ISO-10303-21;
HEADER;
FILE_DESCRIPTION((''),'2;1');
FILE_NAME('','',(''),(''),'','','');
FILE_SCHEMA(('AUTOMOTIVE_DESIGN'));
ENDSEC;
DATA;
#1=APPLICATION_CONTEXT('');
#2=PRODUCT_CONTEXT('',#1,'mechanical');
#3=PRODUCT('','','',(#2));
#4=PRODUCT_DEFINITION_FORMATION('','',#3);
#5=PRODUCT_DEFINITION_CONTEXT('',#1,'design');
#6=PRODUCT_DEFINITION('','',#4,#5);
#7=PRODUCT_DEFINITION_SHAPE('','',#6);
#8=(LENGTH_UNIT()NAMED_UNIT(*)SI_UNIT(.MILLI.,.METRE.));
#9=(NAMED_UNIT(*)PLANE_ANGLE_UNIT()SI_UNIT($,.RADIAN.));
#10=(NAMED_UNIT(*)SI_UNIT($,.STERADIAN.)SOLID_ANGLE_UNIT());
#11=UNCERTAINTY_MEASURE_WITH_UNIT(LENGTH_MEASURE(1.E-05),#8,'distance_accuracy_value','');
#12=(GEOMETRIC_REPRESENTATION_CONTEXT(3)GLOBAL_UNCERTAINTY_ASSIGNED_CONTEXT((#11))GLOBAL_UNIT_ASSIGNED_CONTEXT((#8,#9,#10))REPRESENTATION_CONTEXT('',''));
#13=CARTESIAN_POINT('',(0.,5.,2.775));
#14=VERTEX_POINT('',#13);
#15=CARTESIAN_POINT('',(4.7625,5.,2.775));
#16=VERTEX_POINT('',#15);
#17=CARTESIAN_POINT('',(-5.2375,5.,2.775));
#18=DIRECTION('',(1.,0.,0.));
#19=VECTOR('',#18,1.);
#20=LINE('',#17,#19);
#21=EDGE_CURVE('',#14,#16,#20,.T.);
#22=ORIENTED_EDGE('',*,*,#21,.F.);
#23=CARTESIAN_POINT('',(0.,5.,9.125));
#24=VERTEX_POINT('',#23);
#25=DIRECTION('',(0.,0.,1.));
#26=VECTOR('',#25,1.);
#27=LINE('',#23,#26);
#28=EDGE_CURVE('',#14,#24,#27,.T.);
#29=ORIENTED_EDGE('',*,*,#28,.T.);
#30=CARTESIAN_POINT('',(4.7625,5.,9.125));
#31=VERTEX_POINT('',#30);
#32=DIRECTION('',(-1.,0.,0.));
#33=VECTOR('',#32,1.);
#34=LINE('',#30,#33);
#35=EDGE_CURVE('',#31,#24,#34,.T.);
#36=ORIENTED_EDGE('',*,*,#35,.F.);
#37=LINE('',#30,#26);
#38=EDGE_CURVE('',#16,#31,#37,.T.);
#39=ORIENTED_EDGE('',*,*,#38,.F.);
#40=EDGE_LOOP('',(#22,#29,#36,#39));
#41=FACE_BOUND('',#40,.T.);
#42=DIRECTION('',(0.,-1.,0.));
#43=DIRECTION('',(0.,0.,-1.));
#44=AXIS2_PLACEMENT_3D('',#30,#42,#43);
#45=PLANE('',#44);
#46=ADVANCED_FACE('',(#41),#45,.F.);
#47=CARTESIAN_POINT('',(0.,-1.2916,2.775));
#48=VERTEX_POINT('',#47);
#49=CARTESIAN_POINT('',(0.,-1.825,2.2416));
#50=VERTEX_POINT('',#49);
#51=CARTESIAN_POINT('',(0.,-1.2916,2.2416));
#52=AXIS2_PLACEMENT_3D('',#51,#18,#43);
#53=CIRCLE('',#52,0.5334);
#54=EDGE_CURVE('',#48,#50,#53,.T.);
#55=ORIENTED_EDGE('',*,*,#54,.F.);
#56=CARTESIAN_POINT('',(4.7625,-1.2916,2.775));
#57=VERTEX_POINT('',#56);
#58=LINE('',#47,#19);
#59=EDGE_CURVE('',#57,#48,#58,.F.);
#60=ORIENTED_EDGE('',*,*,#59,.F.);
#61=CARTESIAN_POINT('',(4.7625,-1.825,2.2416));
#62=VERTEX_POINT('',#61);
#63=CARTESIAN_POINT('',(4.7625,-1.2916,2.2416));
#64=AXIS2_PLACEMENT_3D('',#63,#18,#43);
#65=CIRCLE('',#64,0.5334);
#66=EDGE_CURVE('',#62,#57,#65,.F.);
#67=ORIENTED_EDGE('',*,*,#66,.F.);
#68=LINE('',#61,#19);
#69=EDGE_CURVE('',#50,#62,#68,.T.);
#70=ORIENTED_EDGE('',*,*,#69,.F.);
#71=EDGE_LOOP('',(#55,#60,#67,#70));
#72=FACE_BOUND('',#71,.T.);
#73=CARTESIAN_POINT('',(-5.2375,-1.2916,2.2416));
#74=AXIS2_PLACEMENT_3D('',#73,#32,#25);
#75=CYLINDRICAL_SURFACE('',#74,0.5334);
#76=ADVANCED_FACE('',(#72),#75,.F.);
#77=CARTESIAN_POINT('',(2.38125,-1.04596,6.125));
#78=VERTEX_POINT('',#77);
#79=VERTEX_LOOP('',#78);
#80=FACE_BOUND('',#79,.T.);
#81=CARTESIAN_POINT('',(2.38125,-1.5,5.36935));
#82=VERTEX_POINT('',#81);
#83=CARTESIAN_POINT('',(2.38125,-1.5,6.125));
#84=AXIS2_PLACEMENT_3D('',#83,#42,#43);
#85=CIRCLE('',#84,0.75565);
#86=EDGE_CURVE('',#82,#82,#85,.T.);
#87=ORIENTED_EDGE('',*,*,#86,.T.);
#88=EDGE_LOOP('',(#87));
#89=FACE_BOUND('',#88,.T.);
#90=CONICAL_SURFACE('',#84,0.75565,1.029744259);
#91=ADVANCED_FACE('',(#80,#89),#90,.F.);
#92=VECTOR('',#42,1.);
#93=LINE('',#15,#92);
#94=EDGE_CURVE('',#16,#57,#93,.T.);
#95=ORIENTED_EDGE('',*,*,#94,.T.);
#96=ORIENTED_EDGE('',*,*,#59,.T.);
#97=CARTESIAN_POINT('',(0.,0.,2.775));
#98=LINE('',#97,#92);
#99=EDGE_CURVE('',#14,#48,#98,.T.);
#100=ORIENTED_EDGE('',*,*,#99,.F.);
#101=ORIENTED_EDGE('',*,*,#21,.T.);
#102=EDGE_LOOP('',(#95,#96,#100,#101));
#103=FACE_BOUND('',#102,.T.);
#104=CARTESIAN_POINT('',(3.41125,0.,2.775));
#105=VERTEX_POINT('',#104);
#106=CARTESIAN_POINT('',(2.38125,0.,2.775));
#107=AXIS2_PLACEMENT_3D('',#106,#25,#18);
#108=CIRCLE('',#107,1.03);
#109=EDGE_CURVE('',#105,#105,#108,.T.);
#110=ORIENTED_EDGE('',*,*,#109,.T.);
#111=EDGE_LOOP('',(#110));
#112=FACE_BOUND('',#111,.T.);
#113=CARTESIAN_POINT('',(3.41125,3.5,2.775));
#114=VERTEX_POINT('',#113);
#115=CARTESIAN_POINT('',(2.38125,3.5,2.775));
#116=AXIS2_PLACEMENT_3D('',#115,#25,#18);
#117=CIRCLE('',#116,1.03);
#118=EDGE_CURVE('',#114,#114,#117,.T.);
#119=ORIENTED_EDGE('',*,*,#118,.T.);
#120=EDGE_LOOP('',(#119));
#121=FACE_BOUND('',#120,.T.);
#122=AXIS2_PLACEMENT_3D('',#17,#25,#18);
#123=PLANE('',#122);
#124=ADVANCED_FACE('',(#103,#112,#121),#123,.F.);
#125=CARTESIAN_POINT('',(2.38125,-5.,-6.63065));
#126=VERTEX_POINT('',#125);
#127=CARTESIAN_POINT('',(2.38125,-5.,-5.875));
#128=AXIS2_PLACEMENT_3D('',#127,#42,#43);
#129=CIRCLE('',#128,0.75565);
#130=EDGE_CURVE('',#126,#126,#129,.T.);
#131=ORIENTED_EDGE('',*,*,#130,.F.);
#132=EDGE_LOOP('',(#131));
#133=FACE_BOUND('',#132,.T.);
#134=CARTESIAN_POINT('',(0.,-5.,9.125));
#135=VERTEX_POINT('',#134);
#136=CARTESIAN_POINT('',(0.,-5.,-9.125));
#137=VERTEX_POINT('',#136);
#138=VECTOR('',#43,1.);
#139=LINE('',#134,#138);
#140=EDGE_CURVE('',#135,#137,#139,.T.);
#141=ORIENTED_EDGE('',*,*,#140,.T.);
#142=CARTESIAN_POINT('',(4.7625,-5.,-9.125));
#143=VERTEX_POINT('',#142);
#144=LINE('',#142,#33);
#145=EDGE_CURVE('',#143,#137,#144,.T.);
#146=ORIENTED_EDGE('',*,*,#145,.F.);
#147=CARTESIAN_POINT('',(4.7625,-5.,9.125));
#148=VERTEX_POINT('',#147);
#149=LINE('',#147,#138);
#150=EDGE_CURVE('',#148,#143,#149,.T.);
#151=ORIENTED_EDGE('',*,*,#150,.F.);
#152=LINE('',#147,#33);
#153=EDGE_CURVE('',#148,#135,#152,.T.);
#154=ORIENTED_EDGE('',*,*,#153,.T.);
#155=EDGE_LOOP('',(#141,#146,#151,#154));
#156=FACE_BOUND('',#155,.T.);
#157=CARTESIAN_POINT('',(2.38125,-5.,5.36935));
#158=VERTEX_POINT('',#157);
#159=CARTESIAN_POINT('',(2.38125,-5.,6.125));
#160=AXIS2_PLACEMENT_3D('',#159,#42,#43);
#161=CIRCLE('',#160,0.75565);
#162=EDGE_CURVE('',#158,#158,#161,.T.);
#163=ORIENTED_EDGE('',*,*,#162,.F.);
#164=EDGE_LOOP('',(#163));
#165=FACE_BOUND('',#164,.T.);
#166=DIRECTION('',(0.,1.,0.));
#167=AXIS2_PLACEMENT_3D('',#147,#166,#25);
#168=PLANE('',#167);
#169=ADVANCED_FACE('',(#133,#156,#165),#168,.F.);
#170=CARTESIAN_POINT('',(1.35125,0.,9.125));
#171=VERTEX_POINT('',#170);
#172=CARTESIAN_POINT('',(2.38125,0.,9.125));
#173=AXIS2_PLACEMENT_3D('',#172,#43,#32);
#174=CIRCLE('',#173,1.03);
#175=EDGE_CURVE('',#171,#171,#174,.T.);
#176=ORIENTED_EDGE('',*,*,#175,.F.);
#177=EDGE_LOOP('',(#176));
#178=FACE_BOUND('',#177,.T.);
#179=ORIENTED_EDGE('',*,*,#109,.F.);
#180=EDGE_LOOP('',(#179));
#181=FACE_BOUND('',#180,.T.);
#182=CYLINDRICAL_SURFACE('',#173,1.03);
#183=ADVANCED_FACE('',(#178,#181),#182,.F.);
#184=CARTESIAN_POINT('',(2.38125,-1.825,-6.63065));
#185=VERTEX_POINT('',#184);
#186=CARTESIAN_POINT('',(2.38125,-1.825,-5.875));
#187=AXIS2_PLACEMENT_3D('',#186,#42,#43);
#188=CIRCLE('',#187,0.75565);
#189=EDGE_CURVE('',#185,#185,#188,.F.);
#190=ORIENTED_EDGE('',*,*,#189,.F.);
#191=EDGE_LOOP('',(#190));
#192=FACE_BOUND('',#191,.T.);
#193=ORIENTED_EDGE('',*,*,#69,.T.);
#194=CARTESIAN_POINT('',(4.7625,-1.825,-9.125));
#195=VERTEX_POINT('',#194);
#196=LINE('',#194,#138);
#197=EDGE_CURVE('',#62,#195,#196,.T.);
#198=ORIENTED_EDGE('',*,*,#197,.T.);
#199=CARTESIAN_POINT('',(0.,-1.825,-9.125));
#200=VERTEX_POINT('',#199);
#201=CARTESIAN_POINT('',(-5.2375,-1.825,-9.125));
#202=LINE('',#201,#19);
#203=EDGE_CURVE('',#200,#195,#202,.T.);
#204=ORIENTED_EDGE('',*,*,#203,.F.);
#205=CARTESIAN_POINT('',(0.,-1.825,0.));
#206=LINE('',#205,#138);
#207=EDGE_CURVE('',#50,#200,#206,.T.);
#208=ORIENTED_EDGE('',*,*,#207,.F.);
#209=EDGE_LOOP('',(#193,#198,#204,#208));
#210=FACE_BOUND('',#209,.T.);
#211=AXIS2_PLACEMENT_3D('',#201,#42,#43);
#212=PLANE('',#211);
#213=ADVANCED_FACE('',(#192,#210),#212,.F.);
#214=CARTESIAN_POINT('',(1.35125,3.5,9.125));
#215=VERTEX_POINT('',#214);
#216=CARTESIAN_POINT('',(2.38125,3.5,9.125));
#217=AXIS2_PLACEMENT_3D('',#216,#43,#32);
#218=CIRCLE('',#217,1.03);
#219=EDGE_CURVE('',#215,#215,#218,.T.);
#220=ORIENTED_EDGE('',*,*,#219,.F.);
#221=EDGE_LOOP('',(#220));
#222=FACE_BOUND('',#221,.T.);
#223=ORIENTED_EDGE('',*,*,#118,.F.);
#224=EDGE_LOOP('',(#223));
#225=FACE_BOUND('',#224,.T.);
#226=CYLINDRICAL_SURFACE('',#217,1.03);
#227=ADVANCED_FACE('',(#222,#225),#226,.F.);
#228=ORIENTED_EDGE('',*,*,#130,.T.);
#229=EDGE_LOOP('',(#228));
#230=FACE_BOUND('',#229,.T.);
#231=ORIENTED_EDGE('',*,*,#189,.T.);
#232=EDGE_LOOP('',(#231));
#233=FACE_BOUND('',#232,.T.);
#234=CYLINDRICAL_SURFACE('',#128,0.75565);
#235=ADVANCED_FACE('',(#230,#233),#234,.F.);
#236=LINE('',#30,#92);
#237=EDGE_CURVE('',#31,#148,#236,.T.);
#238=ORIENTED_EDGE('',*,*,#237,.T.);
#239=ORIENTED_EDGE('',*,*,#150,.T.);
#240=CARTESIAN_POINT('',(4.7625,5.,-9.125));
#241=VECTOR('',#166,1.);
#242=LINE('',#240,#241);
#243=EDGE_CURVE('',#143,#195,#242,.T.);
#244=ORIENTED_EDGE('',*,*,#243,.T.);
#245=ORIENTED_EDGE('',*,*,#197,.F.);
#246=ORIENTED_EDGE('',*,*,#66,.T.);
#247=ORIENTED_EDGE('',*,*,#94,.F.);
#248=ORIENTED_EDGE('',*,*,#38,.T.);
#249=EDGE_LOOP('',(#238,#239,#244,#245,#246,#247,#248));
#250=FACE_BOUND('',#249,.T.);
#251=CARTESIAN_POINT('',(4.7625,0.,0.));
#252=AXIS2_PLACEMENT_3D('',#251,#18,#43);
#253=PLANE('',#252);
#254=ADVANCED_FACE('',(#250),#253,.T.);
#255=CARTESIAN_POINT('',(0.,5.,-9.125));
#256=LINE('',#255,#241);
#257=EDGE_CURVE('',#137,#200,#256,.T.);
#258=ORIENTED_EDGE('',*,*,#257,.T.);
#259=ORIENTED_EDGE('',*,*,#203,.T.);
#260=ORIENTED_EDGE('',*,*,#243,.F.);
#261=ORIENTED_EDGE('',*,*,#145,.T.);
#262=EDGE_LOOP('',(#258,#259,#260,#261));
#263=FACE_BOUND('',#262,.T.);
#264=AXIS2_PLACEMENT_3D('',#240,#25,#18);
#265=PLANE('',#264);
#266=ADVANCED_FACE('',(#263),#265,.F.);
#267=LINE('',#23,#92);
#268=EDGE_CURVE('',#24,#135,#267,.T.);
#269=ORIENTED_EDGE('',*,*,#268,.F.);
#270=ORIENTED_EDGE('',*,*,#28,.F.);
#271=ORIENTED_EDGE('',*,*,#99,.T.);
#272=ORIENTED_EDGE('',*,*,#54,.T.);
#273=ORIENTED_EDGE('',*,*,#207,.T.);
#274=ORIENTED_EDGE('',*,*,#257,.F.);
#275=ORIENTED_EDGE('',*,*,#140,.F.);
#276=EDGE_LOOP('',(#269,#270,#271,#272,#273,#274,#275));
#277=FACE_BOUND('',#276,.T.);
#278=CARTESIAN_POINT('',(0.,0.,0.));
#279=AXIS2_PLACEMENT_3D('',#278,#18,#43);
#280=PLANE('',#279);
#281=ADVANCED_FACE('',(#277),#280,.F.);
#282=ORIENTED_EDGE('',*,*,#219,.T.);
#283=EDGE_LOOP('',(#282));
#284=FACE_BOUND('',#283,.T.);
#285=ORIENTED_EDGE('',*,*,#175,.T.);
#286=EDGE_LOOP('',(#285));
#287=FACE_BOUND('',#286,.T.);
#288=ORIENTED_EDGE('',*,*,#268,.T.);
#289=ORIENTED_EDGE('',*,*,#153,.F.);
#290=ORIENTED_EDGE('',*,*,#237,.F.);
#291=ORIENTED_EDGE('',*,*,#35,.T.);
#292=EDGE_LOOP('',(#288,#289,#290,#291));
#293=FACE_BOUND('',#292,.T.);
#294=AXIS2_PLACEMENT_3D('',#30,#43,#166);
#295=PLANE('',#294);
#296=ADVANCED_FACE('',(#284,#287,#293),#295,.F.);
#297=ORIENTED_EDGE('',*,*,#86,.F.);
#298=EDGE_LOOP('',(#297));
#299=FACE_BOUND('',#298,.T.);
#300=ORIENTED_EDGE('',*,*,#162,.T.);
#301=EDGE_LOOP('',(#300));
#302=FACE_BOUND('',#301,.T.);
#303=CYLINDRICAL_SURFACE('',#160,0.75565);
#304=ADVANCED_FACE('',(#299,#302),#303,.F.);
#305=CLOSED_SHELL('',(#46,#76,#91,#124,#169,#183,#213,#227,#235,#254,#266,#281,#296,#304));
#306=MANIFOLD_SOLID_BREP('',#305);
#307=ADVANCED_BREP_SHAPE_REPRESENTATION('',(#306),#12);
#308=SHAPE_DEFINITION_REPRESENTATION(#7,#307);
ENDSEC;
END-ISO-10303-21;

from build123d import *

# Parameters (mm, degrees)
SKETCH1_W                 = 18.25
SKETCH1_H                 = 10
BOSS_EXTRUDE1_DEPTH       = 4.7625
F_1_64_TAPPED_HOLE1_D     = 1.5113
F_1_64_TAPPED_HOLE1_DEPTH = 3.5
F_1_64_TAPPED_HOLE1_TIP   = 0.454040327
SKETCH5_W                 = 11.9
SKETCH5_H                 = 6.825
CUT_EXTRUDE2_DEPTH        = 10
FILLET1_R                 = 0.5334
SKETCH2_R                 = 1.03
CUT_EXTRUDE1_DEPTH        = 20.512660153


with BuildPart() as part:
    # Sketch1 → Boss-Extrude1 (new body)
    with BuildSketch(Plane(origin=(0, 0, 0), x_dir=(0, 0, -1), z_dir=(1, 0, 0))):
        Rectangle(SKETCH1_W, SKETCH1_H)
    extrude(amount=BOSS_EXTRUDE1_DEPTH)

    # #1-64 Tapped Hole1
    with Locations(Plane(origin=(0, -5, 0), x_dir=(-1, 0, 0), z_dir=(0, -1, 0))):
        with Locations((-2.38125, -6.125), (-2.38125, 5.875)):
            Hole(F_1_64_TAPPED_HOLE1_D / 2, depth=F_1_64_TAPPED_HOLE1_DEPTH)
            with Locations((0, 0, -(F_1_64_TAPPED_HOLE1_DEPTH + F_1_64_TAPPED_HOLE1_TIP / 2))):  # 118° drill point
                Cone(0, F_1_64_TAPPED_HOLE1_D / 2, F_1_64_TAPPED_HOLE1_TIP, mode=Mode.SUBTRACT)

    # Sketch5 → Cut-Extrude2 (cut)
    with BuildSketch(Plane(origin=(4.7625, 0, 0), x_dir=(0, 0, -1), z_dir=(1, 0, 0))):
        with Locations((3.175, 1.5875)):
            Rectangle(SKETCH5_W, SKETCH5_H)
    extrude(amount=-CUT_EXTRUDE2_DEPTH, mode=Mode.SUBTRACT)

    # Fillet1
    fillet1_edges = [part.edges().sort_by_distance(p)[0] for p in [
        (2.38125, -1.825, 2.775),
    ]]
    fillet(fillet1_edges, radius=FILLET1_R)

    # Sketch2 → Cut-Extrude1 (cut, through all)
    with BuildSketch(Plane(origin=(0, 0, -9.125), x_dir=(-1, 0, 0), z_dir=(0, 0, -1))):
        with Locations((-2.38125, 3.5)):
            Circle(SKETCH2_R)
        with Locations((-2.38125, 0)):
            Circle(SKETCH2_R)
    extrude(amount=-CUT_EXTRUDE1_DEPTH, mode=Mode.SUBTRACT)


solid = part.part
